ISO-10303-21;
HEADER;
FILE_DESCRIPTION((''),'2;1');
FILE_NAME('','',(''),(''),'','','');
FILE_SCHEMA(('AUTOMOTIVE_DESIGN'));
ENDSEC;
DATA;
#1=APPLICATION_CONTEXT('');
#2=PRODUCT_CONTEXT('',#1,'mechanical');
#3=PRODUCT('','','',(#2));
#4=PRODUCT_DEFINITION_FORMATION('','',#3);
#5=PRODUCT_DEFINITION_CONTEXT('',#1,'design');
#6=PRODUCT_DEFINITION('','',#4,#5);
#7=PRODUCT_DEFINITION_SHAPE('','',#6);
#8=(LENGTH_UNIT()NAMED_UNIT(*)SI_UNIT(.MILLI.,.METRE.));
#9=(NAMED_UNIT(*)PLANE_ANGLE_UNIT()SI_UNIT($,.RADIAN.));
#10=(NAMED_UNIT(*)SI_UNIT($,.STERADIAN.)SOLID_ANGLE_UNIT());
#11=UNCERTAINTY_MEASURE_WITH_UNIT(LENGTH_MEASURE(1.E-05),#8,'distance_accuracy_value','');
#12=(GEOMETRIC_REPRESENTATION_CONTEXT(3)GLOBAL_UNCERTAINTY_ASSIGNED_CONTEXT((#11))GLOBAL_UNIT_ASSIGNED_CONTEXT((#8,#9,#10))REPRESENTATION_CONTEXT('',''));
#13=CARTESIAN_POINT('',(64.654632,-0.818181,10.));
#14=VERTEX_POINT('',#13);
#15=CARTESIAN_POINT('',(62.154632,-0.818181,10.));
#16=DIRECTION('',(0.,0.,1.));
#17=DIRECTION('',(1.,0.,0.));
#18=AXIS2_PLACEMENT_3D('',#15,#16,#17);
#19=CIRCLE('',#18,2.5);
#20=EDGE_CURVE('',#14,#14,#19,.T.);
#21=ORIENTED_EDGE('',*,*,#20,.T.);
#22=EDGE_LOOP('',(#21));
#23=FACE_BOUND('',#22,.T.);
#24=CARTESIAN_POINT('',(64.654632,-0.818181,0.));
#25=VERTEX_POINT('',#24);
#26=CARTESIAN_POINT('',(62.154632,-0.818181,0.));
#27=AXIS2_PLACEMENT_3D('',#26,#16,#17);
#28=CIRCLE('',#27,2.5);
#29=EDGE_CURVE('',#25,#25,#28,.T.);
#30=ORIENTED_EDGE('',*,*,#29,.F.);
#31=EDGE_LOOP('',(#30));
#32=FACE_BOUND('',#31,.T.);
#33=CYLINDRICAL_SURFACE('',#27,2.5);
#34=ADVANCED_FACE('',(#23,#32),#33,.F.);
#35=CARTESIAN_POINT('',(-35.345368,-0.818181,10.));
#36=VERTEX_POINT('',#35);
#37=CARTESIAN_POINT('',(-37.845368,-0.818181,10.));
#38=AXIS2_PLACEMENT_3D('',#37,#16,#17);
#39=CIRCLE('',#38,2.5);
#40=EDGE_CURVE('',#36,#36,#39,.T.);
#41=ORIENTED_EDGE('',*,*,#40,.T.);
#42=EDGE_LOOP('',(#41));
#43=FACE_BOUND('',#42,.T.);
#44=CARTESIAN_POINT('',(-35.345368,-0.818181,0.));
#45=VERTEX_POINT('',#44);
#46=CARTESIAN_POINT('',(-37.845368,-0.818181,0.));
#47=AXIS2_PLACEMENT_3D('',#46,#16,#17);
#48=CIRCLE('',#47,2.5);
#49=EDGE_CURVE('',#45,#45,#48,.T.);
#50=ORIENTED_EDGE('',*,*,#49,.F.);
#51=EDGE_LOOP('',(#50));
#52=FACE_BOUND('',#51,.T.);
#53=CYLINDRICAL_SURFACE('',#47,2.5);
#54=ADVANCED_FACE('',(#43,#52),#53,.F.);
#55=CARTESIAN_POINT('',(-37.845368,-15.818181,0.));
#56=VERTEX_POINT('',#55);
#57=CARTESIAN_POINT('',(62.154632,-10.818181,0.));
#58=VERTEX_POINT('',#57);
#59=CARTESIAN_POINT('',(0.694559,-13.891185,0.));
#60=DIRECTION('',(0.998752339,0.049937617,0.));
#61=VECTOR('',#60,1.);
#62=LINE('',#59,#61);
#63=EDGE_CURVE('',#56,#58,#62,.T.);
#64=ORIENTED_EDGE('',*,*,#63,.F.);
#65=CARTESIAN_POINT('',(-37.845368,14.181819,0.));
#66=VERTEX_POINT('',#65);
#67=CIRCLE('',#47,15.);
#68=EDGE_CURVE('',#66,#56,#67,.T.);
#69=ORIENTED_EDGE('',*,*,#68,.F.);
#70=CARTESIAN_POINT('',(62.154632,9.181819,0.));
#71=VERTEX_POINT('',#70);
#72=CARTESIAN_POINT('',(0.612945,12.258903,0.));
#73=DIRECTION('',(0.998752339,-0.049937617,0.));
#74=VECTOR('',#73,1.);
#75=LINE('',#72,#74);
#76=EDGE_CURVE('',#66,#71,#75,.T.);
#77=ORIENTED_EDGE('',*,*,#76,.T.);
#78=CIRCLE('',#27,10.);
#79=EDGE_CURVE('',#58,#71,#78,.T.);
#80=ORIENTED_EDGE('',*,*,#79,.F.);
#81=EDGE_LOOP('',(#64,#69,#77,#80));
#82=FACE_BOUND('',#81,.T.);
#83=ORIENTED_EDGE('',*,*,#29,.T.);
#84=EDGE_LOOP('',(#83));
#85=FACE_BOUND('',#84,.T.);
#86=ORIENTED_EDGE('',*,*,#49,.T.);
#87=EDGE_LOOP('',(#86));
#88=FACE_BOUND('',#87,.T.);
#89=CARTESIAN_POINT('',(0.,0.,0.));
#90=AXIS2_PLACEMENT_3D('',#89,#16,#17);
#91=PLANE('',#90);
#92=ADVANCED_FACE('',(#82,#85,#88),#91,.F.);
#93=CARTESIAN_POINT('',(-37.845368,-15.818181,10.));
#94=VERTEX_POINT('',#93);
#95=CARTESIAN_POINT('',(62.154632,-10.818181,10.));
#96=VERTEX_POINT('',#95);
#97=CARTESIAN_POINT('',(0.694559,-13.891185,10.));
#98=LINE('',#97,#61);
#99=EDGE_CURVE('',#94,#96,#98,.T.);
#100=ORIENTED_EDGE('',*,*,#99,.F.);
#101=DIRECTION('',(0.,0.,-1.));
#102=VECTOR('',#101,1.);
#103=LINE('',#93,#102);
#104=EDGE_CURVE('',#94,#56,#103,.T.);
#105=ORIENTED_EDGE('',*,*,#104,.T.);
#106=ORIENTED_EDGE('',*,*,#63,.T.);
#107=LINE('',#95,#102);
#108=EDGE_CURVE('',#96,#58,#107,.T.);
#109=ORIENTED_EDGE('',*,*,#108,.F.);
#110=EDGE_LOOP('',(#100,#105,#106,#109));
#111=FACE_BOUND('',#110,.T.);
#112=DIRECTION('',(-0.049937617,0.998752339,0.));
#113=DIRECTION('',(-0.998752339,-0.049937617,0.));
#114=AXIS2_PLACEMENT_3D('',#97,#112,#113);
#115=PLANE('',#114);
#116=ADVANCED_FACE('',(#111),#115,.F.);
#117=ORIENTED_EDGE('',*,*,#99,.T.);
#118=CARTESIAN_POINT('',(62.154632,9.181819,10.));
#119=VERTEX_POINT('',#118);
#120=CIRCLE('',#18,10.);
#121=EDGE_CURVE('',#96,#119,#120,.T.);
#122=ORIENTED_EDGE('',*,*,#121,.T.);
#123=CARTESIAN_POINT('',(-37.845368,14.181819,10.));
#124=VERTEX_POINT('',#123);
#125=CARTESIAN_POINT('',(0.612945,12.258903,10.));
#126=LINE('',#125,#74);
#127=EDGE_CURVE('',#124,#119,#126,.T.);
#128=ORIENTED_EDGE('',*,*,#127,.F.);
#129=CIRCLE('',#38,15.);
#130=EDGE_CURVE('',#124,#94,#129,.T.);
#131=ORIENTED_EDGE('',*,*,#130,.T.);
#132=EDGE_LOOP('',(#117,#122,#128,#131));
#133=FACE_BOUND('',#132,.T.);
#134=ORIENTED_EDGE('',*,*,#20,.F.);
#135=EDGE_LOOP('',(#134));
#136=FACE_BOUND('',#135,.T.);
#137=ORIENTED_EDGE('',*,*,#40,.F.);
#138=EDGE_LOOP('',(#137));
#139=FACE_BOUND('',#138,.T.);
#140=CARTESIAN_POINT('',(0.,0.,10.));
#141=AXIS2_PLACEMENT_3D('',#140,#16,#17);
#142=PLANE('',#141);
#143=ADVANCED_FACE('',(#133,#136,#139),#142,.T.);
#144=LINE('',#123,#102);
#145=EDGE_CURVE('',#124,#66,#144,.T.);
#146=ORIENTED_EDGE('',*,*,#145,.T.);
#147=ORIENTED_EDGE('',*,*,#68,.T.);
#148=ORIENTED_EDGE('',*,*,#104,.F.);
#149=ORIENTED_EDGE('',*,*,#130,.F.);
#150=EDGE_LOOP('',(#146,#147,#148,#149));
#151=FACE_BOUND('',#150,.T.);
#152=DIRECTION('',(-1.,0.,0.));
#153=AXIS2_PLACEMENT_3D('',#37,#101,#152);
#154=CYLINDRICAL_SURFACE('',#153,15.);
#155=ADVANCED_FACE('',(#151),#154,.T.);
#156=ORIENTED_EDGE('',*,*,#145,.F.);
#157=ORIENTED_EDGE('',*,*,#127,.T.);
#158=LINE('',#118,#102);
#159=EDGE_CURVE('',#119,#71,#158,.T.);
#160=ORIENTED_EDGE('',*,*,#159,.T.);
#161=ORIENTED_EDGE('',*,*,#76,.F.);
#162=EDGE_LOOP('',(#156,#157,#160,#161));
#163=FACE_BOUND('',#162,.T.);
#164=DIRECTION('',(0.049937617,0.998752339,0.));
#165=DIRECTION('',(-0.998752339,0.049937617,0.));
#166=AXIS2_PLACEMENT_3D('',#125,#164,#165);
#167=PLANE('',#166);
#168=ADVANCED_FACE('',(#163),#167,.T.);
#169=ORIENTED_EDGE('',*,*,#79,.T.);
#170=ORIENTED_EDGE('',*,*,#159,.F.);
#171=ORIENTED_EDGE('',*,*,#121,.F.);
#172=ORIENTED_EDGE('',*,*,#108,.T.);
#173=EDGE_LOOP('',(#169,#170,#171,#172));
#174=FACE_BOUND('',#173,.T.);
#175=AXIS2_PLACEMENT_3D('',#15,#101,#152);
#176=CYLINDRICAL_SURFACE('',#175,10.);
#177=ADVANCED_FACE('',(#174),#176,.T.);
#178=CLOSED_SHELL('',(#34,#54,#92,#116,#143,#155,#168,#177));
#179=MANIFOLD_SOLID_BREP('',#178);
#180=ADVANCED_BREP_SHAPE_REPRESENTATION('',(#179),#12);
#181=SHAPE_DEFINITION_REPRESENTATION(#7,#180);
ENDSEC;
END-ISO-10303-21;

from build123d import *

# Parameters (mm, degrees)
SKETCH1_R           = 10
BOSS_EXTRUDE1_DEPTH = 10
SKETCH9_R           = 2.5
CUT_EXTRUDE7_DEPTH  = 10


with BuildPart() as part:
    # Sketch1 → Boss-Extrude1 (new body)
    with BuildSketch(Plane.XY):
        with BuildLine():
            Line((-36.34910837, 14.107005992), (-37.845367722, 14.18181896))
            ThreePointArc((-37.845367722, 14.18181896), (-52.845367722, -0.81818104), (-37.845367722, -15.81818104))
            Line((-37.845367722, -15.81818104), (-36.34910837, -15.743368072))
            ThreePointArc((-36.34910837, -15.743368072), (-26.722331035, -10.8818809), (-22.845367722, -0.81818104))
            ThreePointArc((-22.845367722, -0.81818104), (-26.722331035, 9.245518819), (-36.34910837, 14.107005992))
        make_face()
        with BuildLine():
            Line((62.154632278, 9.18181896), (-36.34910837, 14.107005992))
            ThreePointArc((-36.34910837, 14.107005992), (-26.722331035, 9.245518819), (-22.845367722, -0.81818104))
            ThreePointArc((-22.845367722, -0.81818104), (-26.722331035, -10.8818809), (-36.34910837, -15.743368072))
            Line((-36.34910837, -15.743368072), (62.154632278, -10.81818104))
            ThreePointArc((62.154632278, -10.81818104), (52.154632278, -0.81818104), (62.154632278, 9.18181896))
        make_face()
        with Locations((62.154632278, -0.81818104)):
            Circle(SKETCH1_R)
    extrude(amount=BOSS_EXTRUDE1_DEPTH)

    # Sketch9 → Cut-Extrude7 (cut)
    with BuildSketch(Plane.XY.offset(10)):
        with Locations((-37.845367722, -0.81818104)):
            Circle(SKETCH9_R)
        with Locations((62.154632278, -0.81818104)):
            Circle(SKETCH9_R)
    extrude(amount=-CUT_EXTRUDE7_DEPTH, mode=Mode.SUBTRACT)


solid = part.part
